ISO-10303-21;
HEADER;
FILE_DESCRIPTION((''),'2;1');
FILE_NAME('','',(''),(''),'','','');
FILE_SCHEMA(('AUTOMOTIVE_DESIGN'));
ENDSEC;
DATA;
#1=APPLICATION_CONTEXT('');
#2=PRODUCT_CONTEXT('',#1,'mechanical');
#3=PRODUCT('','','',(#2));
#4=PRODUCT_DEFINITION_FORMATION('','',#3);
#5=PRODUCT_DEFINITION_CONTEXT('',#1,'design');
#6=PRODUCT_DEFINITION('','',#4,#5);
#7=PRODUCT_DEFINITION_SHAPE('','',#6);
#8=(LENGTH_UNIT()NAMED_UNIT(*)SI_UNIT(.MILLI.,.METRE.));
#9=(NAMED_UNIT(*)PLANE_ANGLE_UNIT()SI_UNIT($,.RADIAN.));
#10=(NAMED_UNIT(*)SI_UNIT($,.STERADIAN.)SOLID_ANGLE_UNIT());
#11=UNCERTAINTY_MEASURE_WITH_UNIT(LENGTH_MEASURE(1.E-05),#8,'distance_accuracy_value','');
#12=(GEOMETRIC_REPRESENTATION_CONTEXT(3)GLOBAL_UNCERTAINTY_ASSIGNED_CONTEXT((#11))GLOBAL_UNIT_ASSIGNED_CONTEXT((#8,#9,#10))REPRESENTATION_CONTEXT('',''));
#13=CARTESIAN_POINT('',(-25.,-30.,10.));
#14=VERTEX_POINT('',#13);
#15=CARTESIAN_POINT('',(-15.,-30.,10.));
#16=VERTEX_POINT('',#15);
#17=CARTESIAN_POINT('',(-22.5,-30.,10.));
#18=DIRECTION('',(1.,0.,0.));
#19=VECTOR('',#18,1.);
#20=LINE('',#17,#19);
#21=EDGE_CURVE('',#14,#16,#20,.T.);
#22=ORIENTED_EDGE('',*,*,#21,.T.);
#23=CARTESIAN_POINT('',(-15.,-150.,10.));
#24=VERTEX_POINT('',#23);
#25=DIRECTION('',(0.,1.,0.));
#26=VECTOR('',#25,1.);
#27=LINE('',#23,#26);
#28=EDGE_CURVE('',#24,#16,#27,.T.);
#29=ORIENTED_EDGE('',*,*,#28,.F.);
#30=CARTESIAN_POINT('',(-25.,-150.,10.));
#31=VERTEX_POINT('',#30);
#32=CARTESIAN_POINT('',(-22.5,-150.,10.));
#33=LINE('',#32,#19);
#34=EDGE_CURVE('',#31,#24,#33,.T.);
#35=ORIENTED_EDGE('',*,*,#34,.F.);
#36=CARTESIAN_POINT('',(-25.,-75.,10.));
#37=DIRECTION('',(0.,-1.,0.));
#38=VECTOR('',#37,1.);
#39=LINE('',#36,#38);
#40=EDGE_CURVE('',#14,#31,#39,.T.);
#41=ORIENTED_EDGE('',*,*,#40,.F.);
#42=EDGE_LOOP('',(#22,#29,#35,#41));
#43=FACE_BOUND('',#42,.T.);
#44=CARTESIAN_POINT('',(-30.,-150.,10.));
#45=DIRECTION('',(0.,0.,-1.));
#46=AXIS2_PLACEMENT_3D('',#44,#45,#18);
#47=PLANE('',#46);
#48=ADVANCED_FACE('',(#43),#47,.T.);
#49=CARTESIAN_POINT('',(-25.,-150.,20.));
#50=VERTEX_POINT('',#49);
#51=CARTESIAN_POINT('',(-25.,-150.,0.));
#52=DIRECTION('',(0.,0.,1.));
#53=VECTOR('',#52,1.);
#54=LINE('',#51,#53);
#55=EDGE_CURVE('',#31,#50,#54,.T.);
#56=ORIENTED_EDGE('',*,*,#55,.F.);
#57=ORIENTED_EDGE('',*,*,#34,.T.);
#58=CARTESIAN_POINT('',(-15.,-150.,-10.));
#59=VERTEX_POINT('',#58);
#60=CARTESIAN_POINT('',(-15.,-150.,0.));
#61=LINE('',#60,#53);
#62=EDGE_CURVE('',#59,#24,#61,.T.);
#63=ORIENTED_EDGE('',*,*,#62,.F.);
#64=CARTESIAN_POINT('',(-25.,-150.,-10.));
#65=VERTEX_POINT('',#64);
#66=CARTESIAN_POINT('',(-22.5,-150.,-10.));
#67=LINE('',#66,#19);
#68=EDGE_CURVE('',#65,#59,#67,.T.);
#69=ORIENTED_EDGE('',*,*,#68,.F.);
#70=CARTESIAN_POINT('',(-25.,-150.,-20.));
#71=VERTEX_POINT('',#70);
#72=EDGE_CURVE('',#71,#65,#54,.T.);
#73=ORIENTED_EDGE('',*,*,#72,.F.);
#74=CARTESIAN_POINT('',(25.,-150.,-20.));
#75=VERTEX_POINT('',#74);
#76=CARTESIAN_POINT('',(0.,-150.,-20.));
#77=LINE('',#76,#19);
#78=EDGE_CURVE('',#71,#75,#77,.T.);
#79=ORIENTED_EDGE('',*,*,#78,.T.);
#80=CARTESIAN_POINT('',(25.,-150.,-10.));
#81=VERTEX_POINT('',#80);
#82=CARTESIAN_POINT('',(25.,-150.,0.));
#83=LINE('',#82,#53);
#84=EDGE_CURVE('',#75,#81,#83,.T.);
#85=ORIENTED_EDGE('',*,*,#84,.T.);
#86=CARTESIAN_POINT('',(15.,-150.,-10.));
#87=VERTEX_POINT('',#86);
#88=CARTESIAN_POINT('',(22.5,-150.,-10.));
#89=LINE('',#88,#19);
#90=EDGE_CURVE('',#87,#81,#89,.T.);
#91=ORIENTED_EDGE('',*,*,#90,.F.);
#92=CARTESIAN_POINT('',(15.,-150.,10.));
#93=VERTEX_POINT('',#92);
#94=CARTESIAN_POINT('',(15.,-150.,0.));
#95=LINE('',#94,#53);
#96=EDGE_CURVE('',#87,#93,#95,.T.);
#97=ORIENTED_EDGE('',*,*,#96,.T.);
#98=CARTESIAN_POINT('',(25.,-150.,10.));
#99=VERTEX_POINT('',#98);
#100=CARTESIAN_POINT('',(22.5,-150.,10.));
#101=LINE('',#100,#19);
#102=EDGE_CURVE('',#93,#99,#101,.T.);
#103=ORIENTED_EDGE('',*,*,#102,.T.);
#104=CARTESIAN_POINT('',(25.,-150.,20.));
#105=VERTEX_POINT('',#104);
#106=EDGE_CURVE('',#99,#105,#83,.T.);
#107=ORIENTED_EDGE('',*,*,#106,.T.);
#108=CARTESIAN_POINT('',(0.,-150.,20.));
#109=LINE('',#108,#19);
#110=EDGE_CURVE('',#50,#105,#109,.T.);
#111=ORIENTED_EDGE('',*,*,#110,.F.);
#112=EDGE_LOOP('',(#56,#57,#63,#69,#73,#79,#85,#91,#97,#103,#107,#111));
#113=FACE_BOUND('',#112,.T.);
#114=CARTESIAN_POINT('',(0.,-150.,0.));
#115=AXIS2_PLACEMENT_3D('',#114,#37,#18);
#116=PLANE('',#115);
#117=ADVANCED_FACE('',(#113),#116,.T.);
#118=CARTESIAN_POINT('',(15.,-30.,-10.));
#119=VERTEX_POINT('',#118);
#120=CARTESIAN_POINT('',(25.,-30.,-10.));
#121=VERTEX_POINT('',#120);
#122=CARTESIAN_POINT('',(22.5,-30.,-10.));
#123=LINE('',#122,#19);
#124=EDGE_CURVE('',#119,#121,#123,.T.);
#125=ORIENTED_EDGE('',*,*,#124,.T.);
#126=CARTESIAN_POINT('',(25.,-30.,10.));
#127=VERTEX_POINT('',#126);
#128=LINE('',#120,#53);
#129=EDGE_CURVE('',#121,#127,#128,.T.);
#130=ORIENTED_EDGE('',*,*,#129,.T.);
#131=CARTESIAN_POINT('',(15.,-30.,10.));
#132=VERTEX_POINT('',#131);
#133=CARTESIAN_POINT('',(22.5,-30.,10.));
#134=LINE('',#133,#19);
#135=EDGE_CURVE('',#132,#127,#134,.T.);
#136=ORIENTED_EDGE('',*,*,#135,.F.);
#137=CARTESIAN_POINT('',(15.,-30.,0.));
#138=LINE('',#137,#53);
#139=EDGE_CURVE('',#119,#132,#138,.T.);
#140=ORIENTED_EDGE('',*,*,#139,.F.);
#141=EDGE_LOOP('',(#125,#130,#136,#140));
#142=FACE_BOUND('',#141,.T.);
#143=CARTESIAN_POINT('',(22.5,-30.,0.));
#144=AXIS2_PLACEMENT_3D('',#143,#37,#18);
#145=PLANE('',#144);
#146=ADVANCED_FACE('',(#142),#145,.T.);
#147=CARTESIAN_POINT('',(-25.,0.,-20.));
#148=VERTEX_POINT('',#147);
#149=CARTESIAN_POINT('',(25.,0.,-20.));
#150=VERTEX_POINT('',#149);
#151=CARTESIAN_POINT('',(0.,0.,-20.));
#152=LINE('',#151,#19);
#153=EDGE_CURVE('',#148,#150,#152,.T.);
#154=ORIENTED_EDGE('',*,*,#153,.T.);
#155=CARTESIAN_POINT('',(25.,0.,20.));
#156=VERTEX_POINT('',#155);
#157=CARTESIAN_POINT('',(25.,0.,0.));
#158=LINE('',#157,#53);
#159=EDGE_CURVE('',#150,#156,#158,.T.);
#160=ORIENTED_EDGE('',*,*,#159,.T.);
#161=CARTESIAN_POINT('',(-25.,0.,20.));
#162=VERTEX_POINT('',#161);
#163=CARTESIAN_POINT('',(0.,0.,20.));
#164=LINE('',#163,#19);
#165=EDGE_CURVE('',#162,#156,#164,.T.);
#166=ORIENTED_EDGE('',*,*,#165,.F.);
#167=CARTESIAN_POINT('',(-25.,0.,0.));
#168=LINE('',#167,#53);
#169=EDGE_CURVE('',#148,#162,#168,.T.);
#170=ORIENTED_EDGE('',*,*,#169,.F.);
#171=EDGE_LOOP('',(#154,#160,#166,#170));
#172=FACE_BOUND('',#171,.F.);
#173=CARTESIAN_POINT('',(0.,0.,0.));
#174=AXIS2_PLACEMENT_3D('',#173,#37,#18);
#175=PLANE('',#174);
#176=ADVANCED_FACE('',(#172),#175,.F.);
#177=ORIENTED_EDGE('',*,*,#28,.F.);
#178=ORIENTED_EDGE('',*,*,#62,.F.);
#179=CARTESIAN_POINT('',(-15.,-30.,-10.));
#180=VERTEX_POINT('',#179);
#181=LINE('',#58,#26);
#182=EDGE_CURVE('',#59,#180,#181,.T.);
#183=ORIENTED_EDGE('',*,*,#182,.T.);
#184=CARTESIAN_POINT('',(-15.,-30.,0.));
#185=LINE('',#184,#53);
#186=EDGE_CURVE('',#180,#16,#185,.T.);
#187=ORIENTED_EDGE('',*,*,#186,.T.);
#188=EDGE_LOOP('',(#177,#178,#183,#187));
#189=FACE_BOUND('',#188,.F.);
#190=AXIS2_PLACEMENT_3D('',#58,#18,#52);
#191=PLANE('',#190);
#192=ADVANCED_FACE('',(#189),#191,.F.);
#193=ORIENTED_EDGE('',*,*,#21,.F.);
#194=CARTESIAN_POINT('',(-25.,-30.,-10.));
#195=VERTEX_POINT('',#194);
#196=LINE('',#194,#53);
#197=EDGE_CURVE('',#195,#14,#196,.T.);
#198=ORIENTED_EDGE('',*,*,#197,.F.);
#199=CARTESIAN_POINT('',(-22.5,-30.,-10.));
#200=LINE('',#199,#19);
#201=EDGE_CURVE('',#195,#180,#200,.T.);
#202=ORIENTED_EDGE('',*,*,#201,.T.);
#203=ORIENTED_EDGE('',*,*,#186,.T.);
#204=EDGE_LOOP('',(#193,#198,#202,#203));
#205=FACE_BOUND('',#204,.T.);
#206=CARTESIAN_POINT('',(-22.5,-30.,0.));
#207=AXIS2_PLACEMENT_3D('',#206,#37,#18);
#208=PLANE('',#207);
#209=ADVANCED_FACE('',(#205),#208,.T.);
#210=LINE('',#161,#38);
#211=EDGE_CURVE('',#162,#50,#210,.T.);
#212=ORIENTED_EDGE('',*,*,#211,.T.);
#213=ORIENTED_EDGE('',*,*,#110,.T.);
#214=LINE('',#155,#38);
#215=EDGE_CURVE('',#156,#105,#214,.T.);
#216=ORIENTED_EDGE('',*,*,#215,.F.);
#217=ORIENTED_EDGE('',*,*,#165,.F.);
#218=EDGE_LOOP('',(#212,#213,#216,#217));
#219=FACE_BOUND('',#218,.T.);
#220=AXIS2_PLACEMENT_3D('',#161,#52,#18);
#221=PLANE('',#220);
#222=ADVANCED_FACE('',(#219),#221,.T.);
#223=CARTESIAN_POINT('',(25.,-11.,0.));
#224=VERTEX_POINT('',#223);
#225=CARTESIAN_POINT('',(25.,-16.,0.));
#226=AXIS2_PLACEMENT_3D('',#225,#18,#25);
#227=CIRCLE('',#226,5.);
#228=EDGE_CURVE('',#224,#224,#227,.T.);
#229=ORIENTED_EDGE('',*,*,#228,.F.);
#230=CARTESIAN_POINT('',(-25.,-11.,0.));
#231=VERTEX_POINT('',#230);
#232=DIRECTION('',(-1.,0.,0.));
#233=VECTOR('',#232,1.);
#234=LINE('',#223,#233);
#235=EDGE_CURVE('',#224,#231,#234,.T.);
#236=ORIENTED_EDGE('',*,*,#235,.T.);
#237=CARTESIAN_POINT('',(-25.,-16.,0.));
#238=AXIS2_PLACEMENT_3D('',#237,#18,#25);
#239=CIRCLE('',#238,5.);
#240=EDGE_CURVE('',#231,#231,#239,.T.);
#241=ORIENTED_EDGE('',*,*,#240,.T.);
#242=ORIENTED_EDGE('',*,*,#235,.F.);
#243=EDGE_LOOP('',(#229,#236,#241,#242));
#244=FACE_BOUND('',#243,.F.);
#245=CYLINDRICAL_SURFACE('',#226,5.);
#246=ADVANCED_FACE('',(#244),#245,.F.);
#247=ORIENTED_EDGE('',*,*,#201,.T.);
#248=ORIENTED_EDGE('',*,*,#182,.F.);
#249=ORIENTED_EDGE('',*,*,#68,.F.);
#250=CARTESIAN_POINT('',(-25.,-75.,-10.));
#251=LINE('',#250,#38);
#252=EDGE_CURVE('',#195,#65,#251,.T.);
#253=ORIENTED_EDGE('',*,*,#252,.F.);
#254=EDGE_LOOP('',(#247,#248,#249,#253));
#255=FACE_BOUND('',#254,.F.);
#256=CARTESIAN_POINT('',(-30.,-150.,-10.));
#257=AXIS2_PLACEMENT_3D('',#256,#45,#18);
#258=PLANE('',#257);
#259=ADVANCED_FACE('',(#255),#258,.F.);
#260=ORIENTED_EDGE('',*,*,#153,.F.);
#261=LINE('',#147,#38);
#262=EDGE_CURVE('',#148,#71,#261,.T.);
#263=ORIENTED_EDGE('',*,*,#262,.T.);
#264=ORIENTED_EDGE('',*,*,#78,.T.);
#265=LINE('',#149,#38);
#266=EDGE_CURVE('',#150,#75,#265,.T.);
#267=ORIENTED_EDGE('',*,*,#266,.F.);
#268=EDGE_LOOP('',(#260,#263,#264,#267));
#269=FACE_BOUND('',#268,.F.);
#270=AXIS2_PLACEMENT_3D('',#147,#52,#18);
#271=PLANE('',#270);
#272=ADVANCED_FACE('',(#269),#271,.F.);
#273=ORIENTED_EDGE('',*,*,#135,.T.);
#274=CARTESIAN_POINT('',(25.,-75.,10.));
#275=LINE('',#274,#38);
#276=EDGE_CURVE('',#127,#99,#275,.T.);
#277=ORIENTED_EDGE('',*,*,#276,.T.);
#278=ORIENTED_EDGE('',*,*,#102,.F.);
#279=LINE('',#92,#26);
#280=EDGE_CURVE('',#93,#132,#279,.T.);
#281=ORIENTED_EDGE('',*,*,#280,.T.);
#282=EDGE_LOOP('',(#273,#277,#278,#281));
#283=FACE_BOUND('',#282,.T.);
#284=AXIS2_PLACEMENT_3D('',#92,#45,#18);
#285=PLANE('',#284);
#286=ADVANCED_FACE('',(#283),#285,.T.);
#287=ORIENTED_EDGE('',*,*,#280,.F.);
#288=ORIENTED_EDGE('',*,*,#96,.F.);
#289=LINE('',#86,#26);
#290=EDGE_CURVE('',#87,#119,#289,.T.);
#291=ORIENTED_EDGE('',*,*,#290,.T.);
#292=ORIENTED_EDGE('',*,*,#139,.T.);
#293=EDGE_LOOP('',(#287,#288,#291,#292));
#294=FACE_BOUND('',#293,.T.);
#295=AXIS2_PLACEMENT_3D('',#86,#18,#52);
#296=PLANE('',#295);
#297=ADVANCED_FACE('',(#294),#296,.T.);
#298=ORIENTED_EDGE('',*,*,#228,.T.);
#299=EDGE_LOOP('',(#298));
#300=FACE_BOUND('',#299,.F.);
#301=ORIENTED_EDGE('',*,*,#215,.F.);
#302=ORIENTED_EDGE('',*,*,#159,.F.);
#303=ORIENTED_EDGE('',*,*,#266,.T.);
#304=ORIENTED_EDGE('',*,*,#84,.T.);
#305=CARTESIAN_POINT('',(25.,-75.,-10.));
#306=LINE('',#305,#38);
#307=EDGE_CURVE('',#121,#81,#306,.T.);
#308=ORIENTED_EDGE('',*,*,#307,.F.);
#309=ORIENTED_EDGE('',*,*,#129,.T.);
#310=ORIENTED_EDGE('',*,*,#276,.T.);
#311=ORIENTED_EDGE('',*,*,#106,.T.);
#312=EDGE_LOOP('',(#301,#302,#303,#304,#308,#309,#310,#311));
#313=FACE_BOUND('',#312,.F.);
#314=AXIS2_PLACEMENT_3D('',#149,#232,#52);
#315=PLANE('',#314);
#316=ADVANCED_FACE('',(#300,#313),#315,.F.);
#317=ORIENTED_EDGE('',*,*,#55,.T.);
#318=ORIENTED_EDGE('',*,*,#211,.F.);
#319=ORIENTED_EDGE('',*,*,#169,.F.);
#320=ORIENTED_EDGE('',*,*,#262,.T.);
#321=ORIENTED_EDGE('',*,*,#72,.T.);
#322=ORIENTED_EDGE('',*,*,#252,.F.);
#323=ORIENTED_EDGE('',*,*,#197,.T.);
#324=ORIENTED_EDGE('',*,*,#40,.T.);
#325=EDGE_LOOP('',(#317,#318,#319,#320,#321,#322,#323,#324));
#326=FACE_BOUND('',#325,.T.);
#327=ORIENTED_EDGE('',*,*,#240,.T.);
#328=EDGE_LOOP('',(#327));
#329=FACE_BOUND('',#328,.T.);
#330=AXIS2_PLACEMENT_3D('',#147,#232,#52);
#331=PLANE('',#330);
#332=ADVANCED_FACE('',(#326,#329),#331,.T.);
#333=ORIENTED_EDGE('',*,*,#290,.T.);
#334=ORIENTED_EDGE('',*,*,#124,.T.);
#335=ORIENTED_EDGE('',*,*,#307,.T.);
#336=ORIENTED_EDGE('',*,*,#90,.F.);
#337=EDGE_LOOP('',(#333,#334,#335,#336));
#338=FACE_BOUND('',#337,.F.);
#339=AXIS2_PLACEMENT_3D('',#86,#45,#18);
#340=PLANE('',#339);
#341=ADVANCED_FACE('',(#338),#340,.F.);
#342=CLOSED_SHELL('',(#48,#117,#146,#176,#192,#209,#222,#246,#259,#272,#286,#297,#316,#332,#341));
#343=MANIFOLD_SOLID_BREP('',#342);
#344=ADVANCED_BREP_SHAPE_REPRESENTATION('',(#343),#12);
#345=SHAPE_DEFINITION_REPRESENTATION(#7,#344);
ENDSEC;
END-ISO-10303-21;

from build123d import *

# Parameters (mm, degrees)
F0_W     = 50
F0_H     = 40
F1_DEPTH = 150
F2_R     = 5
F3_DEPTH = 104
F5_W     = 15
F5_H     = 20
F6_DEPTH = 120


with BuildPart() as f1:
    # F0 (on Front) → F1 (new body)
    with BuildSketch(Plane.XZ):
        Rectangle(F0_W, F0_H)
    extrude(amount=F1_DEPTH)


with BuildPart() as f3:
    # F2 (on face) → F3 (new body)
    with BuildSketch(Plane.YZ.offset(25)):
        with Locations((-16, 0)):
            Circle(F2_R)
    extrude(amount=-F3_DEPTH)


with BuildPart() as f1_1:
    add(f1.part)

    # F4: cut F3
    add(f3.part, mode=Mode.SUBTRACT)


with BuildPart() as f6:
    # F5 (on face) → F6 (new body)
    with BuildSketch(Plane.XZ.offset(150)):
        with Locations((-22.5, 0)):
            Rectangle(F5_W, F5_H)
        with Locations((22.5, 0)):
            Rectangle(F5_W, F5_H)
    extrude(amount=-F6_DEPTH)


with BuildPart() as f1_2:
    add(f1_1.part)

    # F7: cut F6
    add(f6.part, mode=Mode.SUBTRACT)


solid = f1_2.part
